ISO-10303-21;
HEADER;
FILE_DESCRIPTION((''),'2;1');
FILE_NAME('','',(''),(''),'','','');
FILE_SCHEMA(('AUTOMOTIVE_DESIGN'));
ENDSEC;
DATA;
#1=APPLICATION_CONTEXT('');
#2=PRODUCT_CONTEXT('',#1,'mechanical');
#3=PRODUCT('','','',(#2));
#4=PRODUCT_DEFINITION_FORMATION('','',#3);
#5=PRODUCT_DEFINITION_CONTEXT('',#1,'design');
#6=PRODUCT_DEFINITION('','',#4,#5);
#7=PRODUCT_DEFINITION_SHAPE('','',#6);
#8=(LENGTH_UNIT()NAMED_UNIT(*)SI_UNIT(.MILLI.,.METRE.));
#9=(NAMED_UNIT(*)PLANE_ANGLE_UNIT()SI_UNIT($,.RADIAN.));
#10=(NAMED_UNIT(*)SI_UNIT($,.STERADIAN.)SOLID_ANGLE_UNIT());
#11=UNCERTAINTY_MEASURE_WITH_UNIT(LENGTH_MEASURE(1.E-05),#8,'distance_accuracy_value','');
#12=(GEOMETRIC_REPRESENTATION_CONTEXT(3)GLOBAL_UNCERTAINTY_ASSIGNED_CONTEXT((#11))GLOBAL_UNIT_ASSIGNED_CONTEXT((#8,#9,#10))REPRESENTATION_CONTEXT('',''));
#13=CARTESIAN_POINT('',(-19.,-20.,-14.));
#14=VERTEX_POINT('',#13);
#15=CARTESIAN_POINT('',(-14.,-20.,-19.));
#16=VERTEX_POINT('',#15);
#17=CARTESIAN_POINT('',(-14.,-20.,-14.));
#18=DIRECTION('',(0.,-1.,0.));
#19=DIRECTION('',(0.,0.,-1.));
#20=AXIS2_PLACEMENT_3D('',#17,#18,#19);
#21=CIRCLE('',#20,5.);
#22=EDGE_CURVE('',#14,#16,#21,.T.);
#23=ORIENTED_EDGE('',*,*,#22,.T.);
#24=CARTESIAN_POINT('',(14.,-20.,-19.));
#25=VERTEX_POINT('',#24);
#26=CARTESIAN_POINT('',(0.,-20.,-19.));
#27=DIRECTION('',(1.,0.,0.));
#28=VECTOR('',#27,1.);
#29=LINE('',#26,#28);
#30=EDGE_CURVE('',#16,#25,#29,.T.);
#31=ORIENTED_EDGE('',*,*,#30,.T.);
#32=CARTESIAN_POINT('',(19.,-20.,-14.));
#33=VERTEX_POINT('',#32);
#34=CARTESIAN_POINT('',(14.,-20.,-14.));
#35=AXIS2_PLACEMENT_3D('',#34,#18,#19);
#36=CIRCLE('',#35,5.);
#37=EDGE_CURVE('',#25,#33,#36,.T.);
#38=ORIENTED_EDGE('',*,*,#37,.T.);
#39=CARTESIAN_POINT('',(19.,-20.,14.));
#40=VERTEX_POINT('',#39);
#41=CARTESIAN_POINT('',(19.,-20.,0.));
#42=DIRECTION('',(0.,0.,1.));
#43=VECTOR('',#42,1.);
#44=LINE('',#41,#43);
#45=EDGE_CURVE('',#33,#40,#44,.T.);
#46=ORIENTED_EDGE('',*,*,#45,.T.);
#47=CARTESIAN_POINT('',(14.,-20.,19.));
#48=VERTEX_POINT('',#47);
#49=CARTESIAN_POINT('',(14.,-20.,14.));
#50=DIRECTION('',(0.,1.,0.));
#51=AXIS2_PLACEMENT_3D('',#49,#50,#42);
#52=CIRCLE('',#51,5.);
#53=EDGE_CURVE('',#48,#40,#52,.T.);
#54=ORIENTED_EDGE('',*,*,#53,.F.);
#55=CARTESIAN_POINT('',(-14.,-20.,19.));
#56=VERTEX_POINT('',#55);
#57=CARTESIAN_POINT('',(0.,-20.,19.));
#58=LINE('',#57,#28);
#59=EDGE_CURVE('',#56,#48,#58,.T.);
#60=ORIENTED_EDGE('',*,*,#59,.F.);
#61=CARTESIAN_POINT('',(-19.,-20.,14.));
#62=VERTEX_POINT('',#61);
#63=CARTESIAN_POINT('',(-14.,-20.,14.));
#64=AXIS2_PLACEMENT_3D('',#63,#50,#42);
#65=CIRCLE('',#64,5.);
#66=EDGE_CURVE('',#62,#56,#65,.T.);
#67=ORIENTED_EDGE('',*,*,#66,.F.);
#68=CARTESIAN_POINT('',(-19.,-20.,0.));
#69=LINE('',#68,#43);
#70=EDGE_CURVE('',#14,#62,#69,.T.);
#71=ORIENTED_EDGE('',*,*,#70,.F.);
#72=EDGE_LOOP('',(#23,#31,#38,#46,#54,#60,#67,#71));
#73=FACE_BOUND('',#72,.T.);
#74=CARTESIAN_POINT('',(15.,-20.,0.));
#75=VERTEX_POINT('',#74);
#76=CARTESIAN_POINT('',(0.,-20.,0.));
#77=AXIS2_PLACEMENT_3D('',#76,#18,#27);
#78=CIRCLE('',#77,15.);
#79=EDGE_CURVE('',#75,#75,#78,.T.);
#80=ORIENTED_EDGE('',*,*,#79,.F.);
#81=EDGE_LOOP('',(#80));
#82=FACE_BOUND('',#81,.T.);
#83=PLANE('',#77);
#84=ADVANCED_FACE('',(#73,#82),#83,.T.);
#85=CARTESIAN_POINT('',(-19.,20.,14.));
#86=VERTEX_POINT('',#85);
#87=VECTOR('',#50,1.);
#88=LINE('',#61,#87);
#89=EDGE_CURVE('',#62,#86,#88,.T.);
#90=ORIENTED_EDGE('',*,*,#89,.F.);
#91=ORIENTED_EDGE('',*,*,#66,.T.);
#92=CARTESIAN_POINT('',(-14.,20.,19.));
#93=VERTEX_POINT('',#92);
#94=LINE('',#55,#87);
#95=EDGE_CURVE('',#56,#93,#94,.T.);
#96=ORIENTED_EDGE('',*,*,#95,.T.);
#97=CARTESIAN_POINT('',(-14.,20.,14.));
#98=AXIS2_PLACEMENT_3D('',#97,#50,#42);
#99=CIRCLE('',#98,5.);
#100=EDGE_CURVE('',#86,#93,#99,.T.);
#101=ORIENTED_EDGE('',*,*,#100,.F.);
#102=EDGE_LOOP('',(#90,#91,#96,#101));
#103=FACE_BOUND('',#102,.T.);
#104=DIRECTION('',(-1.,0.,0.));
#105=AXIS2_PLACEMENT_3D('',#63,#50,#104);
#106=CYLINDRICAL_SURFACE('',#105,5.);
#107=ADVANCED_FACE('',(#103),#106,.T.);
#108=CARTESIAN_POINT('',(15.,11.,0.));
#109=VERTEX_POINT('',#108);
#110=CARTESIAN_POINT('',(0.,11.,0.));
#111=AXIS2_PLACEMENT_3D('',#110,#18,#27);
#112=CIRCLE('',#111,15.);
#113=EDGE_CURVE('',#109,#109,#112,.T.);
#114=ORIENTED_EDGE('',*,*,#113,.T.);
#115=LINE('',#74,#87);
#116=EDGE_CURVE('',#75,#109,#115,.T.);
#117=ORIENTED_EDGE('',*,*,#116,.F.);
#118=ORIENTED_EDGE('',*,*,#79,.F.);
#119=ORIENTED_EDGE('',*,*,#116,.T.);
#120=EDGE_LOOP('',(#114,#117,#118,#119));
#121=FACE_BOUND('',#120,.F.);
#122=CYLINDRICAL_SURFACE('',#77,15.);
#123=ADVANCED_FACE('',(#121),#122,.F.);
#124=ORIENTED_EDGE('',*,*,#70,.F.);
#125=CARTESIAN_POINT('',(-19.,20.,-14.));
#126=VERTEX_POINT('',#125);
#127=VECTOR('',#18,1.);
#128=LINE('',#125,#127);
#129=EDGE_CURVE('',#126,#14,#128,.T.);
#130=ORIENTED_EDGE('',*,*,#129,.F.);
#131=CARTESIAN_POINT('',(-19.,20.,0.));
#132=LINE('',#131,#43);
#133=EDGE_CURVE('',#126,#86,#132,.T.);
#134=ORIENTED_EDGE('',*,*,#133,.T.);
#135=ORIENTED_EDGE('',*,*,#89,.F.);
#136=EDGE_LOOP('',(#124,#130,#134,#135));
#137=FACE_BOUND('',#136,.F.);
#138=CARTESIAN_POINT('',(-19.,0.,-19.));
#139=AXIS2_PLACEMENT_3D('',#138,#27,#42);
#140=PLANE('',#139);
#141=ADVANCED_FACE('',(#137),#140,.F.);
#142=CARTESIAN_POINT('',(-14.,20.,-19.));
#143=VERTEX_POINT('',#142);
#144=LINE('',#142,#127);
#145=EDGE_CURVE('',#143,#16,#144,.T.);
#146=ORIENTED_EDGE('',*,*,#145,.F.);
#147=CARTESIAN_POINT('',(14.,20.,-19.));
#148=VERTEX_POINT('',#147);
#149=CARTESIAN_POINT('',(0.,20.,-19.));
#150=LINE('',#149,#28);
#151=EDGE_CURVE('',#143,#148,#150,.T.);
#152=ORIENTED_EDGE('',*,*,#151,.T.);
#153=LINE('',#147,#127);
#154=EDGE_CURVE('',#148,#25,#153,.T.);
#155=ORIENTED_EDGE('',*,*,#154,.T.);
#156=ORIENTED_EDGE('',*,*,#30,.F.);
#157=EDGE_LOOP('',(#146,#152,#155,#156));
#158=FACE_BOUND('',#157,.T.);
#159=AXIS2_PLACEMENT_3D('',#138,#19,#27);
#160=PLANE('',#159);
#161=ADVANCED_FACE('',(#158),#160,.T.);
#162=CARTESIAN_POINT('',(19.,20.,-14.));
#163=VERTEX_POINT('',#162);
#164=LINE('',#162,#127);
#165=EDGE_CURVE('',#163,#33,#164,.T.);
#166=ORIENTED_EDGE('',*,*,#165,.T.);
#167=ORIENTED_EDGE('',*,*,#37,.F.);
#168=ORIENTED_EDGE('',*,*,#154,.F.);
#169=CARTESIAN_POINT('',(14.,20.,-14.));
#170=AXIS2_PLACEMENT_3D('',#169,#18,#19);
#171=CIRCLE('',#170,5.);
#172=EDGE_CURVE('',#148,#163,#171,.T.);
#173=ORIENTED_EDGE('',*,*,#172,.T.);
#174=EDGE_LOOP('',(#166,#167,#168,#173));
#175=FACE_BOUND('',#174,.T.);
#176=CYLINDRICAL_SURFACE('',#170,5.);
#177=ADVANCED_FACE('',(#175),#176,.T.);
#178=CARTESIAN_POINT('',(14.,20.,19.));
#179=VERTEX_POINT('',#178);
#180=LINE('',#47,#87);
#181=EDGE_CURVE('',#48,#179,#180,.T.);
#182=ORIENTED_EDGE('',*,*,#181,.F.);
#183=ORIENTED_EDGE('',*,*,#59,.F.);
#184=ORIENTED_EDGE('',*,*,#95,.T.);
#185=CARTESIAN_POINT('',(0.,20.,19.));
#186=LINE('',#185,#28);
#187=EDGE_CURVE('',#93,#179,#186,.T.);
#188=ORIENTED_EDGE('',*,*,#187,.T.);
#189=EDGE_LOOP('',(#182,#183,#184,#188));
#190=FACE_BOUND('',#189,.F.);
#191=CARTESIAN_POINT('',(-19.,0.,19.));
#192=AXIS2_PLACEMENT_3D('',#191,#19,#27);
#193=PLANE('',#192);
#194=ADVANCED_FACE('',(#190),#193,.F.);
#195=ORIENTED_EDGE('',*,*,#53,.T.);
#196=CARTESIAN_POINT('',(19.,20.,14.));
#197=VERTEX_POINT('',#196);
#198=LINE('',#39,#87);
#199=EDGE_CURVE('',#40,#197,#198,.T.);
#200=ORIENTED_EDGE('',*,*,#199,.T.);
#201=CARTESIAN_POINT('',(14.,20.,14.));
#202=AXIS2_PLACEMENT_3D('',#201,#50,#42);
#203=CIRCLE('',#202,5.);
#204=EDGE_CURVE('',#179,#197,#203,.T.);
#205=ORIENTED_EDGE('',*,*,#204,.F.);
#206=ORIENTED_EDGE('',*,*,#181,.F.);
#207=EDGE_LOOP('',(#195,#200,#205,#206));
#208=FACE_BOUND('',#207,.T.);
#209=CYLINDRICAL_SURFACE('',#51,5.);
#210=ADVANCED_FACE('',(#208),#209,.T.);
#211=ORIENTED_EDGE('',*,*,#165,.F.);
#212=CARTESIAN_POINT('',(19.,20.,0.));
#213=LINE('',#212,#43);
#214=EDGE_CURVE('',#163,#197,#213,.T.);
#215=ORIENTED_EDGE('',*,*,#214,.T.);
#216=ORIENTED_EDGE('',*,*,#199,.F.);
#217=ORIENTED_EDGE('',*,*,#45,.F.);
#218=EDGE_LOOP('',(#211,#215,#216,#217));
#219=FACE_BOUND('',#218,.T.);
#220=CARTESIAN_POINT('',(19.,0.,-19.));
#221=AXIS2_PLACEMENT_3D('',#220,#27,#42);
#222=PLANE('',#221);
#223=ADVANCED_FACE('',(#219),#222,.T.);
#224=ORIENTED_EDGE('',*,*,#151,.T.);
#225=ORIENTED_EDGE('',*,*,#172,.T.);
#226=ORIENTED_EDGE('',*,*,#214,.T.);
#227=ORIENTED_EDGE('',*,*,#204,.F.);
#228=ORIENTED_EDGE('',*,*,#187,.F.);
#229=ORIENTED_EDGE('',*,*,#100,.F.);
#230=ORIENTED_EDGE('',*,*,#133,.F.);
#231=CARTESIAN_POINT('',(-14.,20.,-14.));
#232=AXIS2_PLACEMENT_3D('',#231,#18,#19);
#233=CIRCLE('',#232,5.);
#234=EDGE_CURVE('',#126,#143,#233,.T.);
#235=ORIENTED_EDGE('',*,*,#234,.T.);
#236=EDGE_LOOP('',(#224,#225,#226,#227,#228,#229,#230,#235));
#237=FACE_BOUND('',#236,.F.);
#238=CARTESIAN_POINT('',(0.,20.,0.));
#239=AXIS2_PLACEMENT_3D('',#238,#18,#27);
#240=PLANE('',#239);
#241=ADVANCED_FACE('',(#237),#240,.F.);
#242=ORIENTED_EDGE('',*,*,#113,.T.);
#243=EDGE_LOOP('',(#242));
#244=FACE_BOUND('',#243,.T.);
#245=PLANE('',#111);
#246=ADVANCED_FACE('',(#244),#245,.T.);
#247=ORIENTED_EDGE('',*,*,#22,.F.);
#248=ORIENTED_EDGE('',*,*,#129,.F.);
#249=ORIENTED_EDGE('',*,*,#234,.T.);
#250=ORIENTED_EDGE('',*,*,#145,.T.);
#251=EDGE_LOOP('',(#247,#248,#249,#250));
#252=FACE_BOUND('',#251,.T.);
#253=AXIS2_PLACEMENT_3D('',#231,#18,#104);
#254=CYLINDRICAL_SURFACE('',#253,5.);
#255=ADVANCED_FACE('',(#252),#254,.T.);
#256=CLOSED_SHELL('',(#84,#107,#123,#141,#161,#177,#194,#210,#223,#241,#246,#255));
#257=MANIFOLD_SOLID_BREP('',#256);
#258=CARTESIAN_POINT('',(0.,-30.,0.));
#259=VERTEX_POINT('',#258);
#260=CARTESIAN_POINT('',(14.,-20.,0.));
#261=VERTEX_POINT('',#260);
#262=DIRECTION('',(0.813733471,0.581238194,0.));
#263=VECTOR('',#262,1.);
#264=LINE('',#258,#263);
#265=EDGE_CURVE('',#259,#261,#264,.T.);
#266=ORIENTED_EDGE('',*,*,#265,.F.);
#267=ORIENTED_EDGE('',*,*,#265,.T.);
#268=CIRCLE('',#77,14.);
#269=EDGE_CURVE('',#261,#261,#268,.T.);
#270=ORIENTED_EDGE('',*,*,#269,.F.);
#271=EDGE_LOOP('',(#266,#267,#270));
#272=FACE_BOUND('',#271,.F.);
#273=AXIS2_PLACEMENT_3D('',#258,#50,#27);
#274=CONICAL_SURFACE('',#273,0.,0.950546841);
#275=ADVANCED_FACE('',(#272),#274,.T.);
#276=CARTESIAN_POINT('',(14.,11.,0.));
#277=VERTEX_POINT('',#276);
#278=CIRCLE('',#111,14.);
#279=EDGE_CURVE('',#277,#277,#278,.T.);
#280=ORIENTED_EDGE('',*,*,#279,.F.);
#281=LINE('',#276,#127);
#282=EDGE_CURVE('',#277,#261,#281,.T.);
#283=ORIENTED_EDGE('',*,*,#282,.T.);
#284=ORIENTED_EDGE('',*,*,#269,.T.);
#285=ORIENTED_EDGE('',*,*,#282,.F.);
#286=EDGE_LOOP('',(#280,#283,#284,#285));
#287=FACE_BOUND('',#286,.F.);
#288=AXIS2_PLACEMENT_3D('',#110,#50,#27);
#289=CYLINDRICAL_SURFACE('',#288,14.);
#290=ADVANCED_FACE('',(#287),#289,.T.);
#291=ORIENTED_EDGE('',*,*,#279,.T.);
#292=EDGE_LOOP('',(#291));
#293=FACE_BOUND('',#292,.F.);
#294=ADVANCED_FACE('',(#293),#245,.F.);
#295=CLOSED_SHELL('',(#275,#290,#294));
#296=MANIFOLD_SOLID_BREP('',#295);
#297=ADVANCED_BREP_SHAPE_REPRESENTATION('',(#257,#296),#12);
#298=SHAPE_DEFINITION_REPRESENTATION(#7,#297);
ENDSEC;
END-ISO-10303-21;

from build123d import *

# Parameters (mm, degrees)
F0_W     = 38
F0_H     = 38
F1_DEPTH = 20
F2_R     = 15
F3_DEPTH = 31
F4_R     = 5
F5_R     = 14
F6_DEPTH = 31


with BuildPart() as f1:
    # F0 (on Front) → F1 (new body, symmetric)
    with BuildSketch(Plane.XZ):
        Rectangle(F0_W, F0_H)
    extrude(amount=F1_DEPTH, both=True)

    # F2 (on face) → F3 (cut)
    with BuildSketch(Plane.XZ.offset(20)):
        Circle(F2_R)
    extrude(amount=-F3_DEPTH, mode=Mode.SUBTRACT)

    # F4
    f4_edges = [f1.edges().sort_by_distance(p)[0] for p in [
        (19, 0, -19),
        (19, 0, 19),
        (-19, 0, -19),
        (-19, 0, 19),
    ]]
    fillet(f4_edges, radius=F4_R)


with BuildPart() as f6:
    # F5 (on face) → F6 (new body, through all)
    with BuildSketch(Plane.XZ.offset(-11)):
        Circle(F5_R)
    extrude(amount=F6_DEPTH)

    # F7 (on Top) → F8 (revolve)
    with BuildSketch(Plane.XY):
        Polygon((0, -30), (14, -20), (0, -20), align=None)
    revolve(axis=Axis((0, -20, 0), (0, -1, 0)))


solid = Compound([f1.part, f6.part])
